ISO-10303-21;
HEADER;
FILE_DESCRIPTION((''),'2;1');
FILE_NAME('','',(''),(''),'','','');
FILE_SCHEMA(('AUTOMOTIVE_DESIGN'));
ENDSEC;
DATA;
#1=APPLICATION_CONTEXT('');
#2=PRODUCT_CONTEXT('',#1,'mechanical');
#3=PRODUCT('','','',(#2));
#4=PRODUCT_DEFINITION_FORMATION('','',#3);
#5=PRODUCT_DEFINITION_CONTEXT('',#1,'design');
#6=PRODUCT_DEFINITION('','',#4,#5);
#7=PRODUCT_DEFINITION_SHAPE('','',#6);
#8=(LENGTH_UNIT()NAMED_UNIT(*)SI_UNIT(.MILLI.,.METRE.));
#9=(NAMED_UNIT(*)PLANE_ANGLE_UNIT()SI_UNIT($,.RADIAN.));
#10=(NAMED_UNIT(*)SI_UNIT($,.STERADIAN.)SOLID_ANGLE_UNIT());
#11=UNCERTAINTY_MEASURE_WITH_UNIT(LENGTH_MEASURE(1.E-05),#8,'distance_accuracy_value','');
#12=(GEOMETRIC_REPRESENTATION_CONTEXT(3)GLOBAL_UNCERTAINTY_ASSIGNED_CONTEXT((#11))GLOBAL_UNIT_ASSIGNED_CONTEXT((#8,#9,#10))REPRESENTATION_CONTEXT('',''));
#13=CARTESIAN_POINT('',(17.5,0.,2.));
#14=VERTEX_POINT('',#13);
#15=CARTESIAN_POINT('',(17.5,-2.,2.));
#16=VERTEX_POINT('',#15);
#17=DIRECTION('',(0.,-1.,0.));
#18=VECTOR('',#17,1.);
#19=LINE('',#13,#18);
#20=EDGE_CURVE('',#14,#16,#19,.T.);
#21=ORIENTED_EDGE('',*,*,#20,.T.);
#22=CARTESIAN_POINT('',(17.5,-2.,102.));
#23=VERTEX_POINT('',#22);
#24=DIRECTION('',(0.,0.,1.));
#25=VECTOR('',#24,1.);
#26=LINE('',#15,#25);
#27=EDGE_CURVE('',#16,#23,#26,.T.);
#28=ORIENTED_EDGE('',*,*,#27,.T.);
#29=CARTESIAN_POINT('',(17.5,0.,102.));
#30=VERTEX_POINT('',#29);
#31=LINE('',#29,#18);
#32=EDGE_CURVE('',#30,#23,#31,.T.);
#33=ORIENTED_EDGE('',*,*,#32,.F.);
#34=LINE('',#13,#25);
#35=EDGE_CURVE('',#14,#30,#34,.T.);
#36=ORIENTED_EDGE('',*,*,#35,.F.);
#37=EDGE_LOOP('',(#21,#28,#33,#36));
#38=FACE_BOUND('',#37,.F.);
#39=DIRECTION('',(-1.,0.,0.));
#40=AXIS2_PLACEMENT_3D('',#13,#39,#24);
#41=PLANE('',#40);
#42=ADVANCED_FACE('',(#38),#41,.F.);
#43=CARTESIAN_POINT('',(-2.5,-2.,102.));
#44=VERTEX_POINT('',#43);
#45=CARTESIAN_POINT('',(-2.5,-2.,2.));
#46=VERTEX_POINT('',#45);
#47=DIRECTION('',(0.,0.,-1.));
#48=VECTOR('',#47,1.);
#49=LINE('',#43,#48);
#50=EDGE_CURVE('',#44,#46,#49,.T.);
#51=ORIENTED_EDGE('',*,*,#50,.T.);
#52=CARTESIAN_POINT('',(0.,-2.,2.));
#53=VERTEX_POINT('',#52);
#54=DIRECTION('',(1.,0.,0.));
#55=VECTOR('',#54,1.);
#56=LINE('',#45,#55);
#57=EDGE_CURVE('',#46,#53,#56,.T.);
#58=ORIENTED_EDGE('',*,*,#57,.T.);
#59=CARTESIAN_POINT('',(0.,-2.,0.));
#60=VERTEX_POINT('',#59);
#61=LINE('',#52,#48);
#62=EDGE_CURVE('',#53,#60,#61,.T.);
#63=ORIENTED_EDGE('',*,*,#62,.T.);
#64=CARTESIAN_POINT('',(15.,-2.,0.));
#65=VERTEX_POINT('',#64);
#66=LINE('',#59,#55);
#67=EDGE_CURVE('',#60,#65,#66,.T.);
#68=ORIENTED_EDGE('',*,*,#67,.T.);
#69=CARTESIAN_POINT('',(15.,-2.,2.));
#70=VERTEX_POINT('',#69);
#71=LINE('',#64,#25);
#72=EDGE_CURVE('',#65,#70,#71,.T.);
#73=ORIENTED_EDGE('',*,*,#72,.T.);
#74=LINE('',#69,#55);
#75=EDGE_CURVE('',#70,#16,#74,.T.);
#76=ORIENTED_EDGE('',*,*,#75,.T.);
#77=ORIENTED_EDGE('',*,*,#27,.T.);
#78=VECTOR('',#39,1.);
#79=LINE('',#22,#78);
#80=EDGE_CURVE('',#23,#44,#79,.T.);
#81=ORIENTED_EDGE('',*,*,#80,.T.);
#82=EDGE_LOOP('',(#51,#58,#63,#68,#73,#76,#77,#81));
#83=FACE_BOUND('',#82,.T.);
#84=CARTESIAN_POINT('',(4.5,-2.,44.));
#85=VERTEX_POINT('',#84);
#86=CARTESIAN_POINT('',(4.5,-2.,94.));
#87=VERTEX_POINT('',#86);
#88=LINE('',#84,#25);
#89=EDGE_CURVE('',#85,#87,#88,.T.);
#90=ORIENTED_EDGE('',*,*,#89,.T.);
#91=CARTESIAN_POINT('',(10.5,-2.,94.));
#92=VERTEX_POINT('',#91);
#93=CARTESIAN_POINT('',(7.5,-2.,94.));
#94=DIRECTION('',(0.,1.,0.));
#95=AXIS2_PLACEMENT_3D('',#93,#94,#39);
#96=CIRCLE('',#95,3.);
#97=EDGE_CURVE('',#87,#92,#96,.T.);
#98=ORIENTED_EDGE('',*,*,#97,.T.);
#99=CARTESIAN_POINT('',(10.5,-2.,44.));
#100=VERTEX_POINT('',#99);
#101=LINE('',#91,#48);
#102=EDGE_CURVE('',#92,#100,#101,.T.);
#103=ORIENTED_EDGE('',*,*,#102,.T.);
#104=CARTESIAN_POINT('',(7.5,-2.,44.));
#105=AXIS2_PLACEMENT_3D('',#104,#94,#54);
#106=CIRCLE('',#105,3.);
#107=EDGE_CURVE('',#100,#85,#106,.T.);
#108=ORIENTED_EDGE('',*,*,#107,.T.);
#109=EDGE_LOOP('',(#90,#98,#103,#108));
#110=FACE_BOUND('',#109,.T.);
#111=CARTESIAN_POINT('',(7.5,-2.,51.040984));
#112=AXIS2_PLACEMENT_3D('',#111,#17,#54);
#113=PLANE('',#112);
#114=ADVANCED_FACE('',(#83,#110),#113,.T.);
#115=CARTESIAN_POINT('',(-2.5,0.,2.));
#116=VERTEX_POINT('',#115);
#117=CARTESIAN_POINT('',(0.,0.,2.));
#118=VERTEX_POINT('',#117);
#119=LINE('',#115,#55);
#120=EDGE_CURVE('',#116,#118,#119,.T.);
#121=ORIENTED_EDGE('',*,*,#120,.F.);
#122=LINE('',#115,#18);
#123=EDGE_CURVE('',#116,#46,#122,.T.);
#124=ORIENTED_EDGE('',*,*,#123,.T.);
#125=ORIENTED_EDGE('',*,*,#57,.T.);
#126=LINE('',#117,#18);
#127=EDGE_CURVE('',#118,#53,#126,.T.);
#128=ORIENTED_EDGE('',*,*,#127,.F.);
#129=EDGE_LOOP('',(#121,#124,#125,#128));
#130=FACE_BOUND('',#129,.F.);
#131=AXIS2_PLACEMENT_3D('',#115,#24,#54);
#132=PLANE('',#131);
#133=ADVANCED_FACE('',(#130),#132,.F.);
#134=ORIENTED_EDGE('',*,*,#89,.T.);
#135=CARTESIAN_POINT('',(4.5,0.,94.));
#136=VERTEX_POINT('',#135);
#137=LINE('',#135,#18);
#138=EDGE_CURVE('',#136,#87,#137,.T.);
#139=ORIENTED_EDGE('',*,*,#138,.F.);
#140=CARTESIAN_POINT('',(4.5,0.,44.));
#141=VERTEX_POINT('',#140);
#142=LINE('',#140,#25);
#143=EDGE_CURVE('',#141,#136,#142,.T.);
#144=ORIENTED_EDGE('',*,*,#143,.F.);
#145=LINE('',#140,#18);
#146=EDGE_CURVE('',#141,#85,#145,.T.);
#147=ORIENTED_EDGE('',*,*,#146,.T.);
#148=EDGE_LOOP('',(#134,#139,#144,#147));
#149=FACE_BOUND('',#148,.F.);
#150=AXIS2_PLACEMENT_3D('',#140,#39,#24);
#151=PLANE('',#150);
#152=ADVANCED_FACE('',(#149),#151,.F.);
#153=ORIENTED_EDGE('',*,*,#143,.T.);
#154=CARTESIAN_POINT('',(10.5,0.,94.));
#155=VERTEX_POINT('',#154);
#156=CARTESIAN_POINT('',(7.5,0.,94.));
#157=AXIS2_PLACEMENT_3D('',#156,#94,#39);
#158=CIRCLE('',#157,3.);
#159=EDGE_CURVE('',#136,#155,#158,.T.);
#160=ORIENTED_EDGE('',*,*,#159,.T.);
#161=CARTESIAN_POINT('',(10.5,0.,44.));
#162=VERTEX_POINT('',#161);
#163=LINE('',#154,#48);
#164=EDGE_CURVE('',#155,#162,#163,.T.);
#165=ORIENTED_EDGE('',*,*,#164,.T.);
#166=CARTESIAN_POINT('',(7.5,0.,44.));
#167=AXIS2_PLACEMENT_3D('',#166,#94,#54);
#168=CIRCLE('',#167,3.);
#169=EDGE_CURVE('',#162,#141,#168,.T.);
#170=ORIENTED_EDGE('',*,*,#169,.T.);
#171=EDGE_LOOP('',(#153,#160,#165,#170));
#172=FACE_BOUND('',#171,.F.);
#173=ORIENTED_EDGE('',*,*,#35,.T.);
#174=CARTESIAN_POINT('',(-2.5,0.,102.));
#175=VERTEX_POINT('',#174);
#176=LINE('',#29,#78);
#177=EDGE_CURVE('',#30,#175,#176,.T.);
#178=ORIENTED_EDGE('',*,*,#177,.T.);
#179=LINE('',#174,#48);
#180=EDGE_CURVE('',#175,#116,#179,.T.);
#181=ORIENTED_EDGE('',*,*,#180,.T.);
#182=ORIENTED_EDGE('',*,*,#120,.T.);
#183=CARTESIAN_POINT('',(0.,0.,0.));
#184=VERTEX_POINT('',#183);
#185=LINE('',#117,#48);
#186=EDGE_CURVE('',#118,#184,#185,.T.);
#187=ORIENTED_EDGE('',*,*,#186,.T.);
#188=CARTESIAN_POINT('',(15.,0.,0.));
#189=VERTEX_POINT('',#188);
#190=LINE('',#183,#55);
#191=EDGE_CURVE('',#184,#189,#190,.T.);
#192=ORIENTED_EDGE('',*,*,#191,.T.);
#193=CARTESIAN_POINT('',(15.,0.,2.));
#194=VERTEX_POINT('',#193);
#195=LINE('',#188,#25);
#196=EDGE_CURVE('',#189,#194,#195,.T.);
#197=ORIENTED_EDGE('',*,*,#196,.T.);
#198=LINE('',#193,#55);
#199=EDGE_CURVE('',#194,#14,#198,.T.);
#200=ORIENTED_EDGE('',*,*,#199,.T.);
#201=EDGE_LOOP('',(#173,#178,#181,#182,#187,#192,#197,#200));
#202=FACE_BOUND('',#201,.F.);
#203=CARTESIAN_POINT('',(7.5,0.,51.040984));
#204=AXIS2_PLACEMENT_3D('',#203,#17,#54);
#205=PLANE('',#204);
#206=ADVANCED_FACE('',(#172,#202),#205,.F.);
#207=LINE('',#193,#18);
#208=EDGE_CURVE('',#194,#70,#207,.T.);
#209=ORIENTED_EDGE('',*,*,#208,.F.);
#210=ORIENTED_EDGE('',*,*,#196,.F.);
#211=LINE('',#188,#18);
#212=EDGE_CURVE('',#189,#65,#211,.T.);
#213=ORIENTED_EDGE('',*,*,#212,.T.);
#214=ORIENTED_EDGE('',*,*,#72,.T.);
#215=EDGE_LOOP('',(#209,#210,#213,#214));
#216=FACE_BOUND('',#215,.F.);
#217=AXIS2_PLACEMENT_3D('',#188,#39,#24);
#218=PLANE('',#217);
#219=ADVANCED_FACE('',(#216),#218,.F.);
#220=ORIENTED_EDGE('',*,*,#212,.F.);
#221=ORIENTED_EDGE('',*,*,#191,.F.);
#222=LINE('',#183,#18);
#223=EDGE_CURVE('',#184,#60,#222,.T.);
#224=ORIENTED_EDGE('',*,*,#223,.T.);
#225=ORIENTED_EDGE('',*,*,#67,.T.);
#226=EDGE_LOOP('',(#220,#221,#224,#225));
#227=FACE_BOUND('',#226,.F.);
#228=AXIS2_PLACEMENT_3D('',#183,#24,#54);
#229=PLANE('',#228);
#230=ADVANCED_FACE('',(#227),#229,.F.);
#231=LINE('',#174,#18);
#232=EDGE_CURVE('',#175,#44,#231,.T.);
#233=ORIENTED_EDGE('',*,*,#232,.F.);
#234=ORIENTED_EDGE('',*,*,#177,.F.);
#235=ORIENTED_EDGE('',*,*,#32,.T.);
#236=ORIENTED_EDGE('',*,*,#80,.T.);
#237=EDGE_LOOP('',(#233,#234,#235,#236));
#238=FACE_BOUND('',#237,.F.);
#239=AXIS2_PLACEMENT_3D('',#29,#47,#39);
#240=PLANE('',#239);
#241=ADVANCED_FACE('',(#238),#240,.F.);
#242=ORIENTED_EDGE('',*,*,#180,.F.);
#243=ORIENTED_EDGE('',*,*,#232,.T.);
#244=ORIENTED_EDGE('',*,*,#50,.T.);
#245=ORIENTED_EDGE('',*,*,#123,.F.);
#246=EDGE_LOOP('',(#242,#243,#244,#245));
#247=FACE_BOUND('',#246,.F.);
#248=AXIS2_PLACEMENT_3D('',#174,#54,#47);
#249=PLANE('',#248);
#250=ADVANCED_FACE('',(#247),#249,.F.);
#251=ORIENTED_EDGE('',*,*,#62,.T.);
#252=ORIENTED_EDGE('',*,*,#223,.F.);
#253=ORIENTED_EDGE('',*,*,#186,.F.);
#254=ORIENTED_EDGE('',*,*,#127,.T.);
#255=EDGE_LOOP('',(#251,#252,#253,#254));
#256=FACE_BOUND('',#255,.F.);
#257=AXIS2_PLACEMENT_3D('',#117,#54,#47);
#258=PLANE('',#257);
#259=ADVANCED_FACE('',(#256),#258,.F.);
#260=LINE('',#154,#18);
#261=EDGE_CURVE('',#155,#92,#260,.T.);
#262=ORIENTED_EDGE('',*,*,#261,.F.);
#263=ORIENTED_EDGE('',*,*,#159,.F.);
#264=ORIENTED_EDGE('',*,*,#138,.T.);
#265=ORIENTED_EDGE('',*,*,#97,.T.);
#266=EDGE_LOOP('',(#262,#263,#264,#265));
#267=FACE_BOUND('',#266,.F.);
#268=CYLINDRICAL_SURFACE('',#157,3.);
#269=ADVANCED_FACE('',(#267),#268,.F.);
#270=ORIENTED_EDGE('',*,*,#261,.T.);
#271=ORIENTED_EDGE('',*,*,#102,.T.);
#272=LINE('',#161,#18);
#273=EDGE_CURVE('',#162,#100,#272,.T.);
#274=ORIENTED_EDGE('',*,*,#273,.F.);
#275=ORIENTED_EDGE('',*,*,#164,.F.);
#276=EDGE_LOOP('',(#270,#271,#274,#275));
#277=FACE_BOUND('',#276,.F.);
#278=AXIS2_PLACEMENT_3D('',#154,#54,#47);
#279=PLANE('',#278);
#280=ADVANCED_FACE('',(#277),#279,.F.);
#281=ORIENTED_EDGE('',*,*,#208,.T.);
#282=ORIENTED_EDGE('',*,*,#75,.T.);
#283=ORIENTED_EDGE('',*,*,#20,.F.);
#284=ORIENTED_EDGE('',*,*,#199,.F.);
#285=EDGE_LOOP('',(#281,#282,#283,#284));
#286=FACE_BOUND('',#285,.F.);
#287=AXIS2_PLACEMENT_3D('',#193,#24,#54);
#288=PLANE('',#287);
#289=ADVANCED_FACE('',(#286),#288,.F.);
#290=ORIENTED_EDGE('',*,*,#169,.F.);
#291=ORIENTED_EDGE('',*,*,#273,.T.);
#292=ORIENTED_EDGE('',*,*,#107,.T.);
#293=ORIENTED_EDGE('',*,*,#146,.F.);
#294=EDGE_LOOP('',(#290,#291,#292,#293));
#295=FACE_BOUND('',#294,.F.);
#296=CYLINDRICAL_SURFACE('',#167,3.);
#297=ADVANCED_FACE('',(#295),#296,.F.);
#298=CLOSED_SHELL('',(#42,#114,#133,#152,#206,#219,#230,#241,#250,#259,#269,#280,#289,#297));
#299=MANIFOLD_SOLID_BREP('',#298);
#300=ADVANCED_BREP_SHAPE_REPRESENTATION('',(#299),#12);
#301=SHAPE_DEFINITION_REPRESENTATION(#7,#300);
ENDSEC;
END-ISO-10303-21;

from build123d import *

# Parameters (mm, degrees)
F1_DEPTH = 2


with BuildPart() as f1:
    # F0 (on Front) → F1 (new body)
    with BuildSketch(Plane.XZ):
        Polygon((0, 2), (0, 0), (15, 0), (15, 2), (17.5, 2), (17.5, 102), (-2.5, 102), (-2.5, 2), align=None)
        with BuildLine():
            Line((4.5, 44), (4.5, 94))
            ThreePointArc((4.5, 94), (7.5, 97), (10.5, 94))
            Line((10.5, 94), (10.5, 44))
            ThreePointArc((10.5, 44), (7.5, 41), (4.5, 44))
        make_face(mode=Mode.SUBTRACT)
    extrude(amount=F1_DEPTH)


solid = f1.part
